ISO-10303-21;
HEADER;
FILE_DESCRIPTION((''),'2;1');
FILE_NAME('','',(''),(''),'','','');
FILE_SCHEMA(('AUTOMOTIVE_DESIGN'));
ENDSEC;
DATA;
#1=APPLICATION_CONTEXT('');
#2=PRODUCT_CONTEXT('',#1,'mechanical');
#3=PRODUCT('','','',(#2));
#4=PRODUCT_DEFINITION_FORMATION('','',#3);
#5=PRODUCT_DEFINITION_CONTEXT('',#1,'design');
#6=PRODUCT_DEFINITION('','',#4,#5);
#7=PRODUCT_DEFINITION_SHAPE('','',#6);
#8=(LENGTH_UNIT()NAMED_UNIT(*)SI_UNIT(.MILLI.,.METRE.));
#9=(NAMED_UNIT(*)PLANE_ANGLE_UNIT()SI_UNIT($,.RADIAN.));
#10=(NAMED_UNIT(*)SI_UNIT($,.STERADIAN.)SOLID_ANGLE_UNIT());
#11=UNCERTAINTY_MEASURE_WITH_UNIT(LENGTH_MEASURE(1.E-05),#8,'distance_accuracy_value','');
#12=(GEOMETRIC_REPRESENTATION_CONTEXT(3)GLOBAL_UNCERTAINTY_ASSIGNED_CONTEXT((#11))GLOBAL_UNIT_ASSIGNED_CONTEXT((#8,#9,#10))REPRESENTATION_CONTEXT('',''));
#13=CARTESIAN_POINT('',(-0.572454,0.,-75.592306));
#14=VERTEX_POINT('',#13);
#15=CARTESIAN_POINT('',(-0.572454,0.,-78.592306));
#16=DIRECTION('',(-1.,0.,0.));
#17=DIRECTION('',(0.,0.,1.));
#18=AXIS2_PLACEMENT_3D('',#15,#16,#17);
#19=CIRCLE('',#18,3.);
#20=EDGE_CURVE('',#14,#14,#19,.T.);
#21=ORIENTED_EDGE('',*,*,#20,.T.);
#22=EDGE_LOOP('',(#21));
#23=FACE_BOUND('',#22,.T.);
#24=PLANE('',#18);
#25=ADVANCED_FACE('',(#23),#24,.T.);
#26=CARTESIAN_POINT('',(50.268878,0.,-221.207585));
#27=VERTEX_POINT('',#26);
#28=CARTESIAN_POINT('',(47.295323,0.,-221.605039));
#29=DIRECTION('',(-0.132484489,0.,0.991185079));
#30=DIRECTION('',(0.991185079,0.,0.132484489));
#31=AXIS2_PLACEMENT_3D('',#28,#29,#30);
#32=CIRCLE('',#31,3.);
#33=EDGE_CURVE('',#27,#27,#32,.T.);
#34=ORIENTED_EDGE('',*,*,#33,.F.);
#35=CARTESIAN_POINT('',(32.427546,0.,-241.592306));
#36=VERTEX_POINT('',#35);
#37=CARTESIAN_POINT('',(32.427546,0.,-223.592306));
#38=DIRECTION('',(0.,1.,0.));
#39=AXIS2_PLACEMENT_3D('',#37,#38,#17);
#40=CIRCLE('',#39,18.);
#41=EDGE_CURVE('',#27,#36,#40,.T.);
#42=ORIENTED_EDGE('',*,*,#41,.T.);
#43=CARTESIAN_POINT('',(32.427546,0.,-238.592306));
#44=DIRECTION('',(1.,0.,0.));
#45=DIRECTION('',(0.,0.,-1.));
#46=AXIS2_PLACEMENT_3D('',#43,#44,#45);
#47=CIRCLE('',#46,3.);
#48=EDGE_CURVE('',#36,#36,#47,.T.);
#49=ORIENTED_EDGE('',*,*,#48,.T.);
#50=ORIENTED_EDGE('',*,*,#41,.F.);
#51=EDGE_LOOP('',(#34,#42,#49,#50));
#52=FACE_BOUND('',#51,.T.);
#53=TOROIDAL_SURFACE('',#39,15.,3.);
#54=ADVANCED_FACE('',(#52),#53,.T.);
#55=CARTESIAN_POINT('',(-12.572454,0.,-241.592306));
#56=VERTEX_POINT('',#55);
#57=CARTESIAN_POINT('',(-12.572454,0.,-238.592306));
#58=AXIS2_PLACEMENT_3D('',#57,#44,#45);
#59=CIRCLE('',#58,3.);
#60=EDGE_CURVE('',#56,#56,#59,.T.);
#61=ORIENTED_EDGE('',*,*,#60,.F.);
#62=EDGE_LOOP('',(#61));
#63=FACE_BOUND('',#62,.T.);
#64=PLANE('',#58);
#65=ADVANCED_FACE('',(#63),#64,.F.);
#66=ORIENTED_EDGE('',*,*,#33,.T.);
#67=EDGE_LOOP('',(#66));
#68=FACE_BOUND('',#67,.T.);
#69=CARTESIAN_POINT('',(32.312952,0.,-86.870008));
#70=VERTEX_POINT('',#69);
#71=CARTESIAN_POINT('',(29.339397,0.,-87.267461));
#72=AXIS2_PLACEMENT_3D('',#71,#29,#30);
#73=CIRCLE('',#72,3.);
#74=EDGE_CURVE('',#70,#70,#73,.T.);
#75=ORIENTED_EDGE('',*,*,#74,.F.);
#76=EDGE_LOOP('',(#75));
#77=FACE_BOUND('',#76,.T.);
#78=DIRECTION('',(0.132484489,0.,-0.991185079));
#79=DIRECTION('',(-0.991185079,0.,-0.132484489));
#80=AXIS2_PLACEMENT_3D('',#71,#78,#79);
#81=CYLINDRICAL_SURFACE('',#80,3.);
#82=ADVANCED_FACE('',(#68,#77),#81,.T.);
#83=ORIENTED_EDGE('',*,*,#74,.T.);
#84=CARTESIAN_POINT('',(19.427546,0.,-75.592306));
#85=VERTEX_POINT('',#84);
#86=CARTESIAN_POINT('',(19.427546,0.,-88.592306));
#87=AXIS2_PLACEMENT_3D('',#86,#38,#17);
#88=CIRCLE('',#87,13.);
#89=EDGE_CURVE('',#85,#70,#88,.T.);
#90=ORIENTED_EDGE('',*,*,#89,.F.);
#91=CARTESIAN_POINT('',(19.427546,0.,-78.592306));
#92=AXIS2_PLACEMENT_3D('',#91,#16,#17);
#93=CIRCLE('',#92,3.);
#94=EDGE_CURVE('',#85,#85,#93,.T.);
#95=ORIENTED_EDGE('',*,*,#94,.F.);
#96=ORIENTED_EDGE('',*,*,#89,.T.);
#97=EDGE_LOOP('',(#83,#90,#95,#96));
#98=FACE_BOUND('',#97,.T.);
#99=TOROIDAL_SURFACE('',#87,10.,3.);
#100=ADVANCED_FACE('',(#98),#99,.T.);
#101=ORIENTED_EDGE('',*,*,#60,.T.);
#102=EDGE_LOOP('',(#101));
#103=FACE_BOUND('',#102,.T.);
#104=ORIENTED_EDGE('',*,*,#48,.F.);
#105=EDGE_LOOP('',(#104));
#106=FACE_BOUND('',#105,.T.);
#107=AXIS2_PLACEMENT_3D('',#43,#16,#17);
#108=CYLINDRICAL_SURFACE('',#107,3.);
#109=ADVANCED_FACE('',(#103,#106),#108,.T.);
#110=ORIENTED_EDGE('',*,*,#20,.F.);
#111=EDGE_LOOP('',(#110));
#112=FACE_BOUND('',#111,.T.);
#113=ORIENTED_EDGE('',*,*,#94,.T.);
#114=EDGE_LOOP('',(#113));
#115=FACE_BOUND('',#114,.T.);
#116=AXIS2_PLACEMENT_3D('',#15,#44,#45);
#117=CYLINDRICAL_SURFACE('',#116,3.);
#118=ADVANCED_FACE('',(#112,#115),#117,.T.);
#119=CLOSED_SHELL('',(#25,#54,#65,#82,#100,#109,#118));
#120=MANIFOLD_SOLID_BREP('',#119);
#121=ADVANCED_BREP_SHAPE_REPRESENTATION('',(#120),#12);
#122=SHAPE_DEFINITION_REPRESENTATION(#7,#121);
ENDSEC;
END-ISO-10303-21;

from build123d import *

# Parameters (mm, degrees)
SWEEP1_PROFILE_R = 3


with BuildPart() as part:
    # Sweep1: sweep along a path in Sketch1
    with BuildLine(Plane(origin=(0, 0, 0), x_dir=(1, 0, 0), z_dir=(0, 1, 0))) as sweep1_path:
        Line((-0.572453609, 78.592306281), (19.427546391, 78.592306281))
        ThreePointArc((19.427546391, 78.592306281), (26.013575206, 81.067399341), (29.339397178, 87.26746139))
        Line((29.339397178, 87.26746139), (47.295322571, 221.605038945))
        ThreePointArc((47.295322571, 221.605038945), (43.714906801, 233.471349503), (32.427546391, 238.592306281))
        Line((32.427546391, 238.592306281), (-12.572453609, 238.592306281))
    # Sweep1 profile (on start of the path) → Sweep1 (sweep)
    with BuildSketch(Plane(origin=(-0.572453609, 0, -78.592306281), x_dir=(0, 0, 1), z_dir=(1, 0, 0))):
        Circle(SWEEP1_PROFILE_R)
    sweep(path=sweep1_path.line)


solid = part.part
